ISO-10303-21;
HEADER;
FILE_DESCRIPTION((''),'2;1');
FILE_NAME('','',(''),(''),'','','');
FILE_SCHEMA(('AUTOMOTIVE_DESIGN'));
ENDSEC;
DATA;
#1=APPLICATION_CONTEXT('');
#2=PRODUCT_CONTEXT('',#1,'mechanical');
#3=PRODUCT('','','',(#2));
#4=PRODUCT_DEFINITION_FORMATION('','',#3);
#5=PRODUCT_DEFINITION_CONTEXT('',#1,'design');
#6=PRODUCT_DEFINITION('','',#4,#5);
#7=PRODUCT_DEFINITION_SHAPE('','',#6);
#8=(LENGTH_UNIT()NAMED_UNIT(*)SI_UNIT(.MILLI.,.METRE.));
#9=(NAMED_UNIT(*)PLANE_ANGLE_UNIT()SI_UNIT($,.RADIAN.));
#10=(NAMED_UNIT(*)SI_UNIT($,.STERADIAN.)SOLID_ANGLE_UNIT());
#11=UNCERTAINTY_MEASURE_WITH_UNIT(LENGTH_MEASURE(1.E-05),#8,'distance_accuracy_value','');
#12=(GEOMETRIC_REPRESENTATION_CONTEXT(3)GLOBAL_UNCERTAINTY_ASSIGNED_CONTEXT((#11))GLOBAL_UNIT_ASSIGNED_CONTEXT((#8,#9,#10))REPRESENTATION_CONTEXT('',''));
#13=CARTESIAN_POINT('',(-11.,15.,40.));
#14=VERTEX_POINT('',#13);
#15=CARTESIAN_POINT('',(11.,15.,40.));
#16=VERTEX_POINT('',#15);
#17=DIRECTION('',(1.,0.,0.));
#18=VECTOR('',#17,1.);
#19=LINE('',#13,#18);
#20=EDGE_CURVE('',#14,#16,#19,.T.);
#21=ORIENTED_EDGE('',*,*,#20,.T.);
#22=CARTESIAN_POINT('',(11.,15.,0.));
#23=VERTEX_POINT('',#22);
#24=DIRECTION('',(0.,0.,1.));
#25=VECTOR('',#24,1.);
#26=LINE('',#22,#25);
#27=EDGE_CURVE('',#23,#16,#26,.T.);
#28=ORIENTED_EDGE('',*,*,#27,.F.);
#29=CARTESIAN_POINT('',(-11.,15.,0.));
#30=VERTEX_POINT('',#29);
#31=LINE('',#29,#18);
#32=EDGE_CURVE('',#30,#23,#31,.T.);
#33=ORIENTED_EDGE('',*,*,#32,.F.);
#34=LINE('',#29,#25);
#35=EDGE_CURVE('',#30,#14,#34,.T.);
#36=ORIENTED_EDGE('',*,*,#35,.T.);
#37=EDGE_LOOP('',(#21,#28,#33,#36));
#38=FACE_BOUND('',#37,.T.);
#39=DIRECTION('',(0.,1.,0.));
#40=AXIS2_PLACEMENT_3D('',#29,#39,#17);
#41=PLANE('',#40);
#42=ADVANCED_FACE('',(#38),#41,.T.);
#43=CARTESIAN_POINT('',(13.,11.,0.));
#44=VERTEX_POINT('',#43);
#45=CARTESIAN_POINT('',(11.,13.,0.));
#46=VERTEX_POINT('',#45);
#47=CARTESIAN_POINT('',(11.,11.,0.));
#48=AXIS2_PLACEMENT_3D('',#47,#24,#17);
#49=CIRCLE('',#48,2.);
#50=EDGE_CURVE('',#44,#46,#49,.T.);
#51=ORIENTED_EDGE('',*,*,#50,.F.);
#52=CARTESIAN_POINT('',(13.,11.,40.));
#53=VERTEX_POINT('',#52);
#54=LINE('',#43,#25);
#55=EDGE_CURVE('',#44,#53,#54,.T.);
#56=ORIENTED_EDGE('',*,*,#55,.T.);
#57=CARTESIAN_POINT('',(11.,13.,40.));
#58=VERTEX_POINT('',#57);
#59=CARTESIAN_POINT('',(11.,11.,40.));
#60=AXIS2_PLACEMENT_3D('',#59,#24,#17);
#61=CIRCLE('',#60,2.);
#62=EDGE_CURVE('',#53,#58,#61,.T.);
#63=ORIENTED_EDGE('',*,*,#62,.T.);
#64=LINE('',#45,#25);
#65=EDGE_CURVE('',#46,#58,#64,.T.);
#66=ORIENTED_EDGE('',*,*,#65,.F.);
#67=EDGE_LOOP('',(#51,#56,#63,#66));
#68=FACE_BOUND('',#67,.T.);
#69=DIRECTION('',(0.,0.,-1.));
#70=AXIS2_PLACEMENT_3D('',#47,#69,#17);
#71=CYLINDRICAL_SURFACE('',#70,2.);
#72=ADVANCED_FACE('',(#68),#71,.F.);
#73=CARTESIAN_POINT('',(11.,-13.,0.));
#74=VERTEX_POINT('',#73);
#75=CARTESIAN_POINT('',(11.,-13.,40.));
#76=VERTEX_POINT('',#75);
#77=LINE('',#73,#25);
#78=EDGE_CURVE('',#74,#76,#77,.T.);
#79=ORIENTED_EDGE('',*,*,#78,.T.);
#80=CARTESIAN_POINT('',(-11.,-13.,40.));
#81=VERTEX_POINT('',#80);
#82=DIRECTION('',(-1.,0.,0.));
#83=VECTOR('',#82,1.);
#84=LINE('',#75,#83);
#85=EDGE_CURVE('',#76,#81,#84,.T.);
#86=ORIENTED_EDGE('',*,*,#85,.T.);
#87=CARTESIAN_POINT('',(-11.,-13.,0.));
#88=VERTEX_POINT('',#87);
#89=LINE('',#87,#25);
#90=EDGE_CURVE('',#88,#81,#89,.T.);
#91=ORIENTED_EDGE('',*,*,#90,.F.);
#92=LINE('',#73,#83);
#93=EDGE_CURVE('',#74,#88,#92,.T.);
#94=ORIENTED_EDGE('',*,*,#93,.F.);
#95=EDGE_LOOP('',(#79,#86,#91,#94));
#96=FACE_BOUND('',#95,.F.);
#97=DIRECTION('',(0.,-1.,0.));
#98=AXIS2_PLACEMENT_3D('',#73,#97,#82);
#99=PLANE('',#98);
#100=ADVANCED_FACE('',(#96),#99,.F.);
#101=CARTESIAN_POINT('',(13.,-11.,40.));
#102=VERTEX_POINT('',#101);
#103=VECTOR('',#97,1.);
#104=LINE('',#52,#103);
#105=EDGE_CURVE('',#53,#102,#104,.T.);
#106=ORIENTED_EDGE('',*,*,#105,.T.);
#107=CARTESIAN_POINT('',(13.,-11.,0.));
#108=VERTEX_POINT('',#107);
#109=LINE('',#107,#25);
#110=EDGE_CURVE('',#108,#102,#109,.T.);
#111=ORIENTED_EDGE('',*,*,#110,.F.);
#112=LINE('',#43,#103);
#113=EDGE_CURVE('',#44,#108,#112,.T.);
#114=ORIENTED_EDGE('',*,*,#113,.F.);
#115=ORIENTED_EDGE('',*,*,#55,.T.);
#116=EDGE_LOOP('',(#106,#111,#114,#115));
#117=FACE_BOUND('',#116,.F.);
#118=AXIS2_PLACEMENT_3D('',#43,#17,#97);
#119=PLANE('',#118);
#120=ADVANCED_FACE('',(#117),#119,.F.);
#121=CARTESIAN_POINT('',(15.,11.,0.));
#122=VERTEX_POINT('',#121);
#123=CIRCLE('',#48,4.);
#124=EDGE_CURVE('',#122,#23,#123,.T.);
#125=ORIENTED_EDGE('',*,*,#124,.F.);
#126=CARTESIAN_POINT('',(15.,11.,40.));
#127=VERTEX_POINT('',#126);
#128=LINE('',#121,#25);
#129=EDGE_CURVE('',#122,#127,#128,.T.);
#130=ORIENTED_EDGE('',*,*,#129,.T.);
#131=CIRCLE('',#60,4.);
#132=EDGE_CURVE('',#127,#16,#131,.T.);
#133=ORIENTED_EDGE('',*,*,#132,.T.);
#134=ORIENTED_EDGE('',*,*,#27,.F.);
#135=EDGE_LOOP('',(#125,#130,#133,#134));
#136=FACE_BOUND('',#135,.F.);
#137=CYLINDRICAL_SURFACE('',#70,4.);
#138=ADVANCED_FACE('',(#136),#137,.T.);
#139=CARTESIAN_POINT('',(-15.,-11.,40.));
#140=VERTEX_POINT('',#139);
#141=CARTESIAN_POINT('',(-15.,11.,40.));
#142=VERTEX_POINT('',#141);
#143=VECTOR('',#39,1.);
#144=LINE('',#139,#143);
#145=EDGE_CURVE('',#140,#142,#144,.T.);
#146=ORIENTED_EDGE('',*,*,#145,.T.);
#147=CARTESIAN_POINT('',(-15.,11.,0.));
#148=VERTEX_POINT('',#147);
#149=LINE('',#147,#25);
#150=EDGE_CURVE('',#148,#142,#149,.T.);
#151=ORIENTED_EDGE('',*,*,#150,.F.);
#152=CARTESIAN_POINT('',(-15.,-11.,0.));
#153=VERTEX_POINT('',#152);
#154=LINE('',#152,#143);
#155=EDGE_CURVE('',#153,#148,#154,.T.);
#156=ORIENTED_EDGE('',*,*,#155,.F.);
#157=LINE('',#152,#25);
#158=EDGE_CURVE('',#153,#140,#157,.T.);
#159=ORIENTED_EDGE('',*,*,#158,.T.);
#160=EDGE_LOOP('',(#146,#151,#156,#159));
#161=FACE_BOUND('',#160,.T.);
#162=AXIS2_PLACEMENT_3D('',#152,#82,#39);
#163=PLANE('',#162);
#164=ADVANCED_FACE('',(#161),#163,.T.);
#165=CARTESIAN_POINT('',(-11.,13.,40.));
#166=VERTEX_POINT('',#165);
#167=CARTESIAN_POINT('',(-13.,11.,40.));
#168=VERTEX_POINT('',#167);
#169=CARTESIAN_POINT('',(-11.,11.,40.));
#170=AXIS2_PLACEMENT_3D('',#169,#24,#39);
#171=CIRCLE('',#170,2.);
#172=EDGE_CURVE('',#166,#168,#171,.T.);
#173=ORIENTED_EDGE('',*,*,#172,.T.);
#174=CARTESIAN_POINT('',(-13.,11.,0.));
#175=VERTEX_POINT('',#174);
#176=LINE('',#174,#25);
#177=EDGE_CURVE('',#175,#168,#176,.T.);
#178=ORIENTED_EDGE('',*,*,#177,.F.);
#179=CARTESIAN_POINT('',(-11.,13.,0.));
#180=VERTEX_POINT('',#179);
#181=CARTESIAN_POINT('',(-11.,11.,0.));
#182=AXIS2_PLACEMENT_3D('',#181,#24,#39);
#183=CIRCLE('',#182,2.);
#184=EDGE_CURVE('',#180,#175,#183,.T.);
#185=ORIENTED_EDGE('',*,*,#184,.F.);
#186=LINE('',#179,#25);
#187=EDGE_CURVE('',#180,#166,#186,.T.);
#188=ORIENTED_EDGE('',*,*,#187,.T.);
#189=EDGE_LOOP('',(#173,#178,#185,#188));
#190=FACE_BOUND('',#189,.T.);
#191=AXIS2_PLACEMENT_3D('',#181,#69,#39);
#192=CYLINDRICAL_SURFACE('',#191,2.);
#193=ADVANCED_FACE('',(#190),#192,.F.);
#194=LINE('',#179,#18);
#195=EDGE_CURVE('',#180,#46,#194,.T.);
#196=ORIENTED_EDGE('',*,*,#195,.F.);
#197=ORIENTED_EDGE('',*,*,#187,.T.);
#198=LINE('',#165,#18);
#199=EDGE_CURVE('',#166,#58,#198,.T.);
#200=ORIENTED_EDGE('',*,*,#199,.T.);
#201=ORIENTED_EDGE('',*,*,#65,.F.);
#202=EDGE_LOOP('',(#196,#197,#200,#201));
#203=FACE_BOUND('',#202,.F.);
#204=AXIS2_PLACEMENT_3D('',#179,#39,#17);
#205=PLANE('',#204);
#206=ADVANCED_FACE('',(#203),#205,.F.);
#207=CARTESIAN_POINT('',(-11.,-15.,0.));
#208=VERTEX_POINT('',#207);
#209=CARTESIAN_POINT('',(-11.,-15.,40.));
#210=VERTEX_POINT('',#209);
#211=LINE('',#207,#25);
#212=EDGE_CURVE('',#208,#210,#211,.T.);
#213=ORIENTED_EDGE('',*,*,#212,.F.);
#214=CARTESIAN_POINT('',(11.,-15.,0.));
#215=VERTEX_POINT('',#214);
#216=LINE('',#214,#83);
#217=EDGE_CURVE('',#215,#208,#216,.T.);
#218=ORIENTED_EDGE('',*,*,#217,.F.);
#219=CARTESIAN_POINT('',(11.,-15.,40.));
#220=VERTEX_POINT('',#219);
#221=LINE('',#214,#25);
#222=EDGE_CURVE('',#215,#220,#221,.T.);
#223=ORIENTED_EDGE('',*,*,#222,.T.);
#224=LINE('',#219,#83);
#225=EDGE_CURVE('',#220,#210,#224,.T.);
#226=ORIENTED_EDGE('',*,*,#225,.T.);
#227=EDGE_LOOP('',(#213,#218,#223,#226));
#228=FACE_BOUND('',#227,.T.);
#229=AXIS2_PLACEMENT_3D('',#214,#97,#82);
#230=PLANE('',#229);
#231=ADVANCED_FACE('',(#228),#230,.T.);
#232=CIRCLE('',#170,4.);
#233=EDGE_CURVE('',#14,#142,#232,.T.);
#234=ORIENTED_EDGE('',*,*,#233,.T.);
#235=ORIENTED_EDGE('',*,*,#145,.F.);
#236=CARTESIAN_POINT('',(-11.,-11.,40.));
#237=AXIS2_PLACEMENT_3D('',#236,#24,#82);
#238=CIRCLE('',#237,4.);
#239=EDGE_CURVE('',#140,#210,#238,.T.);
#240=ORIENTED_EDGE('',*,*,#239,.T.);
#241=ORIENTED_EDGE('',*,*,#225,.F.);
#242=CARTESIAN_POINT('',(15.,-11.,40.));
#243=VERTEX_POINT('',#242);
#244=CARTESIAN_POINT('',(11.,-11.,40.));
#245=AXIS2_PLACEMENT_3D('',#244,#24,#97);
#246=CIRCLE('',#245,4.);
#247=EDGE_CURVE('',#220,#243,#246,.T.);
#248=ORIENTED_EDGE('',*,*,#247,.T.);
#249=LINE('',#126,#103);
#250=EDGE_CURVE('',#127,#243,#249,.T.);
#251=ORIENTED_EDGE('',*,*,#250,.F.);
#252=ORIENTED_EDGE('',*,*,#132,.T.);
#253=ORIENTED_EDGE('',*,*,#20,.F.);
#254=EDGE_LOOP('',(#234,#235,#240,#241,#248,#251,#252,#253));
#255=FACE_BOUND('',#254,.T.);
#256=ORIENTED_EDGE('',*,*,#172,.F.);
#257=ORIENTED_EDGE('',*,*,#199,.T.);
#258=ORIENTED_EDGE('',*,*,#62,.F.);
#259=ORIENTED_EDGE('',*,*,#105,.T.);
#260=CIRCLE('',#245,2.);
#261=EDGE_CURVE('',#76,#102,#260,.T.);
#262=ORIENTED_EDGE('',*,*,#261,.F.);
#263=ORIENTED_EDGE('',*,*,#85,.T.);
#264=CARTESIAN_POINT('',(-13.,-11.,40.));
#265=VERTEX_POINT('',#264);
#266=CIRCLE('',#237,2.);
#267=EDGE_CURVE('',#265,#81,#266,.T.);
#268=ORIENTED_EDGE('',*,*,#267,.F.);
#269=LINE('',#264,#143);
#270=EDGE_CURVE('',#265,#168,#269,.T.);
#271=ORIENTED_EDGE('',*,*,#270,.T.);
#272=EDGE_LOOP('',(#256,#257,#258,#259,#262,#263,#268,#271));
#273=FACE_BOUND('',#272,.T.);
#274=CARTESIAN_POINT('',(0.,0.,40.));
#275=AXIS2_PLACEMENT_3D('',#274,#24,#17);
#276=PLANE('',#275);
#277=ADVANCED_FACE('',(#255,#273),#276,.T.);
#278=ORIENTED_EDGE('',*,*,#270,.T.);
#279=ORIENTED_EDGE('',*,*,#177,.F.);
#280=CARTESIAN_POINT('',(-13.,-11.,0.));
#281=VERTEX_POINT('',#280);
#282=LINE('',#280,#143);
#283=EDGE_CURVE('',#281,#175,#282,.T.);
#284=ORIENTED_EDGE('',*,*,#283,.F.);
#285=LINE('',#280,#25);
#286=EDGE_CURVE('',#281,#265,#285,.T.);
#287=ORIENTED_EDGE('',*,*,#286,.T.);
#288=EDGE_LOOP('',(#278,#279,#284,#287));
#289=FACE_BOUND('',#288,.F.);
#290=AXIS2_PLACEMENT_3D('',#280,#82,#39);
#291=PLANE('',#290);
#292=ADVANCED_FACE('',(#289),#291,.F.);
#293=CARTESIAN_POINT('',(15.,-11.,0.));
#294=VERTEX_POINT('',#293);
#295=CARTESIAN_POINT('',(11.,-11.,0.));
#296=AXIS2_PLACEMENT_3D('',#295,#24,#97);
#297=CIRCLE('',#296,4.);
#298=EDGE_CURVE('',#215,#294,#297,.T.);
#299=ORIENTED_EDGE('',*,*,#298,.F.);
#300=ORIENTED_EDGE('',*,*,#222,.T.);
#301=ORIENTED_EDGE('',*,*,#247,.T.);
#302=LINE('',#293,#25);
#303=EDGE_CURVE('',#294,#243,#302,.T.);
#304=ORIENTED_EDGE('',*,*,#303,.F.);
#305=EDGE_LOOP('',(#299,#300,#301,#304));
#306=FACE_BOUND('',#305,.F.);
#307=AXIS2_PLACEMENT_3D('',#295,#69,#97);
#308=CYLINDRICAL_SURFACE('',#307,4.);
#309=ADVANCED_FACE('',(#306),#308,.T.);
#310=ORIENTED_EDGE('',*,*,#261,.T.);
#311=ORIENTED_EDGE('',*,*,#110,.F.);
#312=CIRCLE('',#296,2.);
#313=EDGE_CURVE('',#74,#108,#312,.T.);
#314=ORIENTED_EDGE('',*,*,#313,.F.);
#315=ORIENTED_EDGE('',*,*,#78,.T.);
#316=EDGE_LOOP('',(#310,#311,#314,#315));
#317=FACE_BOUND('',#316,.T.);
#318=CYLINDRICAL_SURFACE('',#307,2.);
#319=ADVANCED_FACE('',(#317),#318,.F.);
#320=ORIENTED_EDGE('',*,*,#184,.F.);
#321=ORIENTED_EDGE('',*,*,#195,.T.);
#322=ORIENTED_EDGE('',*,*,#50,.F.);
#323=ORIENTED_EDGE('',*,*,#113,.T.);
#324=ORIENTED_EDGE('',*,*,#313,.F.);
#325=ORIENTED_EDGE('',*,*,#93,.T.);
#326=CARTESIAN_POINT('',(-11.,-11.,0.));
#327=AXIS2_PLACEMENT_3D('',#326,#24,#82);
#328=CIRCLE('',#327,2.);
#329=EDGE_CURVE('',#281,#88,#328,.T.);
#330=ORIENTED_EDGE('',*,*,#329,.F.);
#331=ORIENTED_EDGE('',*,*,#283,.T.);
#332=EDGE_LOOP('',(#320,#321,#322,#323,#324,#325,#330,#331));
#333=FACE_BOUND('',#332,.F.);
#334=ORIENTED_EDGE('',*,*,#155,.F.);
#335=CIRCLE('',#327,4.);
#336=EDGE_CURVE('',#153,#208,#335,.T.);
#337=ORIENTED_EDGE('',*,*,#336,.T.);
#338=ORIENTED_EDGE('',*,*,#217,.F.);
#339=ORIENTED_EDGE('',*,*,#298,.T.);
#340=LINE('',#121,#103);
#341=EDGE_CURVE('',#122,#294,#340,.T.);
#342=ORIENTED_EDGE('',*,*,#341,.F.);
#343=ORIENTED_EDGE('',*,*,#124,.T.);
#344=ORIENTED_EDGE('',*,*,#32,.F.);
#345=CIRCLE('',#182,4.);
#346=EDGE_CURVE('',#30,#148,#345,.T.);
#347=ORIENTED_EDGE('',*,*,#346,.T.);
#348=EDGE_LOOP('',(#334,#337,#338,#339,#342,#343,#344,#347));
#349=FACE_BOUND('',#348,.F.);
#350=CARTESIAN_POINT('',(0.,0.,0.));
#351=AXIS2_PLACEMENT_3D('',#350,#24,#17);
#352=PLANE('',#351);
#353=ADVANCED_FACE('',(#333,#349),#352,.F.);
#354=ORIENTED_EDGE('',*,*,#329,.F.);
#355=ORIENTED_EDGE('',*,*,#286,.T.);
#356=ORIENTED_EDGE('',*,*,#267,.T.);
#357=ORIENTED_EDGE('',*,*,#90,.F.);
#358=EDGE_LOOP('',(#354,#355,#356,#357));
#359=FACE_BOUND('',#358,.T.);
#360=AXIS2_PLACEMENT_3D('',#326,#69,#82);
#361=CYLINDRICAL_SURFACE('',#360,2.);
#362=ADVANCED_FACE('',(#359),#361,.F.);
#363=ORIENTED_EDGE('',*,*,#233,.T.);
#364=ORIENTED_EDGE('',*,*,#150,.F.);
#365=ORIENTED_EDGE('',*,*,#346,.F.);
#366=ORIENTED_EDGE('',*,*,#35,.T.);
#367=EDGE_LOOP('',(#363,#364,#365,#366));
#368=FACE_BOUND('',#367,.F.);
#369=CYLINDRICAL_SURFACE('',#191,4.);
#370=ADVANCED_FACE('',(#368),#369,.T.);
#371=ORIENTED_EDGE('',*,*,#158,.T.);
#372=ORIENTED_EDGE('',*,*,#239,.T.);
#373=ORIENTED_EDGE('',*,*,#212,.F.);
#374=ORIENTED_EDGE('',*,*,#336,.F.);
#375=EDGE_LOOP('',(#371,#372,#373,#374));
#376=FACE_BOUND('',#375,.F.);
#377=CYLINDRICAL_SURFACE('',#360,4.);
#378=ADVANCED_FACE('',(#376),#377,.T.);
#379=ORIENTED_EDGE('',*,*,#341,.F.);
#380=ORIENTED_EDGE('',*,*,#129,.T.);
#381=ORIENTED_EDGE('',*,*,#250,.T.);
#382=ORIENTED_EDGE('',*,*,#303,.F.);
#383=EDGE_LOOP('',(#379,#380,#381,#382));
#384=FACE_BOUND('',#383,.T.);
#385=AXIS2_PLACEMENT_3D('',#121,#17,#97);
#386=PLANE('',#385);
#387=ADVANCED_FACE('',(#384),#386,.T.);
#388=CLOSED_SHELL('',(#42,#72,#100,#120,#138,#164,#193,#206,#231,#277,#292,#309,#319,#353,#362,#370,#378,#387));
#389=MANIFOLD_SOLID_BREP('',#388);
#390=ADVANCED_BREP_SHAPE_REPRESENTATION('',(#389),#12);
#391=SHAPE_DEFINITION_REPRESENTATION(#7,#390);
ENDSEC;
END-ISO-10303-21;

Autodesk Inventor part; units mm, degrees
ref_plane "YZ Plane" through (0, 0, 0) normal (1, 0, 0) x (0, 1, 0)
ref_plane "Plano inicial" through (0, 0, 0) normal (0, 0, 1) x (1, 0, 0)
ref_plane "Plano final" through (0, 0, 40) normal (0, 0, 1) x (1, 0, 0)
sketch "Esboço" plane through (0, 0, 0) normal (0, 0, 1) x (1, 0, 0)
  line L0 (-15, -11) -> (-15, 11)
  line L1 (-11, 15) -> (11, 15)
  line L2 (15, 11) -> (15, -11)
  line L3 (11, -15) -> (-11, -15)
  arc A0 (-15, -11) -> (-11, -15) centre (-11, -11) ccw
  arc A1 (15, 11) -> (11, 15) centre (11, 11) ccw
  arc A2 (-11, 15) -> (-15, 11) centre (-11, 11) ccw
  arc A3 (11, -15) -> (15, -11) centre (11, -11) ccw
  arc A4 (-11, 13) -> (-13, 11) centre (-11, 11) ccw
  line L4 (-11, 13) -> (11, 13)
  arc A5 (13, 11) -> (11, 13) centre (11, 11) ccw
  line L5 (13, 11) -> (13, -11)
  arc A6 (11, -13) -> (13, -11) centre (11, -11) ccw
  line L6 (11, -13) -> (-11, -13)
  arc A7 (-13, -11) -> (-11, -13) centre (-11, -11) ccw
  line L7 (-13, -11) -> (-13, 11)
  line L8 (0, 22.1598) -> (0, -22.1598) construction
  line L9 (-22.1598, 0) -> (22.1598, 0) construction
  dimension "d7" = 4
  dimension "d9" = 30
  dimension "d11" = 30
  dimension "d12" = 2
  dimension "d15" = 15
  dimension "d16" = 15
extrude "Corpo" add sketch "Esboço" along normal up to surface (40 mm away) from surface at 0
sketch "Sketch3" plane through (0, 0, 0) normal (0, 0, 1) x (1, 0, 0)
  line L0 (0, 0) -> (10, 0)
ref_plane "Work Plane3" through (0, 0, 0) normal (0, -1, 0) x (1, 0, 0)
sketch "Sketch4" plane through (0, 0, 0) normal (0, -1, 0) x (1, 0, 0)
  line L0 (-2, 0) -> (12, 0)
  line L1 (-2, 40) -> (12, 40)
  dimension "d18" = 40
equation "\"d7\" = G_IR"
equation "\"d9\" = G_W"
equation "\"d11\" = G_H"
equation "\"d12\" = G_T"
equation "\"d15\" = 0.5 * d9"
equation "\"d16\" = 0.5 * d11"
equation "\"d3\" = G_L"
equation "\"G_W\" = 30"
equation "\"G_H\" = 30"
equation "\"G_T\" = 2"
equation "\"G_IR\" = 4"
equation "\"G_L\" = d18"
equation "\"G_OFFSET_START\" = 0"
equation "\"G_OFFSET_END\" = 0"
properties part number "ISO 10799-2 - 30x30x2 - 40" material "Aço, suave"
